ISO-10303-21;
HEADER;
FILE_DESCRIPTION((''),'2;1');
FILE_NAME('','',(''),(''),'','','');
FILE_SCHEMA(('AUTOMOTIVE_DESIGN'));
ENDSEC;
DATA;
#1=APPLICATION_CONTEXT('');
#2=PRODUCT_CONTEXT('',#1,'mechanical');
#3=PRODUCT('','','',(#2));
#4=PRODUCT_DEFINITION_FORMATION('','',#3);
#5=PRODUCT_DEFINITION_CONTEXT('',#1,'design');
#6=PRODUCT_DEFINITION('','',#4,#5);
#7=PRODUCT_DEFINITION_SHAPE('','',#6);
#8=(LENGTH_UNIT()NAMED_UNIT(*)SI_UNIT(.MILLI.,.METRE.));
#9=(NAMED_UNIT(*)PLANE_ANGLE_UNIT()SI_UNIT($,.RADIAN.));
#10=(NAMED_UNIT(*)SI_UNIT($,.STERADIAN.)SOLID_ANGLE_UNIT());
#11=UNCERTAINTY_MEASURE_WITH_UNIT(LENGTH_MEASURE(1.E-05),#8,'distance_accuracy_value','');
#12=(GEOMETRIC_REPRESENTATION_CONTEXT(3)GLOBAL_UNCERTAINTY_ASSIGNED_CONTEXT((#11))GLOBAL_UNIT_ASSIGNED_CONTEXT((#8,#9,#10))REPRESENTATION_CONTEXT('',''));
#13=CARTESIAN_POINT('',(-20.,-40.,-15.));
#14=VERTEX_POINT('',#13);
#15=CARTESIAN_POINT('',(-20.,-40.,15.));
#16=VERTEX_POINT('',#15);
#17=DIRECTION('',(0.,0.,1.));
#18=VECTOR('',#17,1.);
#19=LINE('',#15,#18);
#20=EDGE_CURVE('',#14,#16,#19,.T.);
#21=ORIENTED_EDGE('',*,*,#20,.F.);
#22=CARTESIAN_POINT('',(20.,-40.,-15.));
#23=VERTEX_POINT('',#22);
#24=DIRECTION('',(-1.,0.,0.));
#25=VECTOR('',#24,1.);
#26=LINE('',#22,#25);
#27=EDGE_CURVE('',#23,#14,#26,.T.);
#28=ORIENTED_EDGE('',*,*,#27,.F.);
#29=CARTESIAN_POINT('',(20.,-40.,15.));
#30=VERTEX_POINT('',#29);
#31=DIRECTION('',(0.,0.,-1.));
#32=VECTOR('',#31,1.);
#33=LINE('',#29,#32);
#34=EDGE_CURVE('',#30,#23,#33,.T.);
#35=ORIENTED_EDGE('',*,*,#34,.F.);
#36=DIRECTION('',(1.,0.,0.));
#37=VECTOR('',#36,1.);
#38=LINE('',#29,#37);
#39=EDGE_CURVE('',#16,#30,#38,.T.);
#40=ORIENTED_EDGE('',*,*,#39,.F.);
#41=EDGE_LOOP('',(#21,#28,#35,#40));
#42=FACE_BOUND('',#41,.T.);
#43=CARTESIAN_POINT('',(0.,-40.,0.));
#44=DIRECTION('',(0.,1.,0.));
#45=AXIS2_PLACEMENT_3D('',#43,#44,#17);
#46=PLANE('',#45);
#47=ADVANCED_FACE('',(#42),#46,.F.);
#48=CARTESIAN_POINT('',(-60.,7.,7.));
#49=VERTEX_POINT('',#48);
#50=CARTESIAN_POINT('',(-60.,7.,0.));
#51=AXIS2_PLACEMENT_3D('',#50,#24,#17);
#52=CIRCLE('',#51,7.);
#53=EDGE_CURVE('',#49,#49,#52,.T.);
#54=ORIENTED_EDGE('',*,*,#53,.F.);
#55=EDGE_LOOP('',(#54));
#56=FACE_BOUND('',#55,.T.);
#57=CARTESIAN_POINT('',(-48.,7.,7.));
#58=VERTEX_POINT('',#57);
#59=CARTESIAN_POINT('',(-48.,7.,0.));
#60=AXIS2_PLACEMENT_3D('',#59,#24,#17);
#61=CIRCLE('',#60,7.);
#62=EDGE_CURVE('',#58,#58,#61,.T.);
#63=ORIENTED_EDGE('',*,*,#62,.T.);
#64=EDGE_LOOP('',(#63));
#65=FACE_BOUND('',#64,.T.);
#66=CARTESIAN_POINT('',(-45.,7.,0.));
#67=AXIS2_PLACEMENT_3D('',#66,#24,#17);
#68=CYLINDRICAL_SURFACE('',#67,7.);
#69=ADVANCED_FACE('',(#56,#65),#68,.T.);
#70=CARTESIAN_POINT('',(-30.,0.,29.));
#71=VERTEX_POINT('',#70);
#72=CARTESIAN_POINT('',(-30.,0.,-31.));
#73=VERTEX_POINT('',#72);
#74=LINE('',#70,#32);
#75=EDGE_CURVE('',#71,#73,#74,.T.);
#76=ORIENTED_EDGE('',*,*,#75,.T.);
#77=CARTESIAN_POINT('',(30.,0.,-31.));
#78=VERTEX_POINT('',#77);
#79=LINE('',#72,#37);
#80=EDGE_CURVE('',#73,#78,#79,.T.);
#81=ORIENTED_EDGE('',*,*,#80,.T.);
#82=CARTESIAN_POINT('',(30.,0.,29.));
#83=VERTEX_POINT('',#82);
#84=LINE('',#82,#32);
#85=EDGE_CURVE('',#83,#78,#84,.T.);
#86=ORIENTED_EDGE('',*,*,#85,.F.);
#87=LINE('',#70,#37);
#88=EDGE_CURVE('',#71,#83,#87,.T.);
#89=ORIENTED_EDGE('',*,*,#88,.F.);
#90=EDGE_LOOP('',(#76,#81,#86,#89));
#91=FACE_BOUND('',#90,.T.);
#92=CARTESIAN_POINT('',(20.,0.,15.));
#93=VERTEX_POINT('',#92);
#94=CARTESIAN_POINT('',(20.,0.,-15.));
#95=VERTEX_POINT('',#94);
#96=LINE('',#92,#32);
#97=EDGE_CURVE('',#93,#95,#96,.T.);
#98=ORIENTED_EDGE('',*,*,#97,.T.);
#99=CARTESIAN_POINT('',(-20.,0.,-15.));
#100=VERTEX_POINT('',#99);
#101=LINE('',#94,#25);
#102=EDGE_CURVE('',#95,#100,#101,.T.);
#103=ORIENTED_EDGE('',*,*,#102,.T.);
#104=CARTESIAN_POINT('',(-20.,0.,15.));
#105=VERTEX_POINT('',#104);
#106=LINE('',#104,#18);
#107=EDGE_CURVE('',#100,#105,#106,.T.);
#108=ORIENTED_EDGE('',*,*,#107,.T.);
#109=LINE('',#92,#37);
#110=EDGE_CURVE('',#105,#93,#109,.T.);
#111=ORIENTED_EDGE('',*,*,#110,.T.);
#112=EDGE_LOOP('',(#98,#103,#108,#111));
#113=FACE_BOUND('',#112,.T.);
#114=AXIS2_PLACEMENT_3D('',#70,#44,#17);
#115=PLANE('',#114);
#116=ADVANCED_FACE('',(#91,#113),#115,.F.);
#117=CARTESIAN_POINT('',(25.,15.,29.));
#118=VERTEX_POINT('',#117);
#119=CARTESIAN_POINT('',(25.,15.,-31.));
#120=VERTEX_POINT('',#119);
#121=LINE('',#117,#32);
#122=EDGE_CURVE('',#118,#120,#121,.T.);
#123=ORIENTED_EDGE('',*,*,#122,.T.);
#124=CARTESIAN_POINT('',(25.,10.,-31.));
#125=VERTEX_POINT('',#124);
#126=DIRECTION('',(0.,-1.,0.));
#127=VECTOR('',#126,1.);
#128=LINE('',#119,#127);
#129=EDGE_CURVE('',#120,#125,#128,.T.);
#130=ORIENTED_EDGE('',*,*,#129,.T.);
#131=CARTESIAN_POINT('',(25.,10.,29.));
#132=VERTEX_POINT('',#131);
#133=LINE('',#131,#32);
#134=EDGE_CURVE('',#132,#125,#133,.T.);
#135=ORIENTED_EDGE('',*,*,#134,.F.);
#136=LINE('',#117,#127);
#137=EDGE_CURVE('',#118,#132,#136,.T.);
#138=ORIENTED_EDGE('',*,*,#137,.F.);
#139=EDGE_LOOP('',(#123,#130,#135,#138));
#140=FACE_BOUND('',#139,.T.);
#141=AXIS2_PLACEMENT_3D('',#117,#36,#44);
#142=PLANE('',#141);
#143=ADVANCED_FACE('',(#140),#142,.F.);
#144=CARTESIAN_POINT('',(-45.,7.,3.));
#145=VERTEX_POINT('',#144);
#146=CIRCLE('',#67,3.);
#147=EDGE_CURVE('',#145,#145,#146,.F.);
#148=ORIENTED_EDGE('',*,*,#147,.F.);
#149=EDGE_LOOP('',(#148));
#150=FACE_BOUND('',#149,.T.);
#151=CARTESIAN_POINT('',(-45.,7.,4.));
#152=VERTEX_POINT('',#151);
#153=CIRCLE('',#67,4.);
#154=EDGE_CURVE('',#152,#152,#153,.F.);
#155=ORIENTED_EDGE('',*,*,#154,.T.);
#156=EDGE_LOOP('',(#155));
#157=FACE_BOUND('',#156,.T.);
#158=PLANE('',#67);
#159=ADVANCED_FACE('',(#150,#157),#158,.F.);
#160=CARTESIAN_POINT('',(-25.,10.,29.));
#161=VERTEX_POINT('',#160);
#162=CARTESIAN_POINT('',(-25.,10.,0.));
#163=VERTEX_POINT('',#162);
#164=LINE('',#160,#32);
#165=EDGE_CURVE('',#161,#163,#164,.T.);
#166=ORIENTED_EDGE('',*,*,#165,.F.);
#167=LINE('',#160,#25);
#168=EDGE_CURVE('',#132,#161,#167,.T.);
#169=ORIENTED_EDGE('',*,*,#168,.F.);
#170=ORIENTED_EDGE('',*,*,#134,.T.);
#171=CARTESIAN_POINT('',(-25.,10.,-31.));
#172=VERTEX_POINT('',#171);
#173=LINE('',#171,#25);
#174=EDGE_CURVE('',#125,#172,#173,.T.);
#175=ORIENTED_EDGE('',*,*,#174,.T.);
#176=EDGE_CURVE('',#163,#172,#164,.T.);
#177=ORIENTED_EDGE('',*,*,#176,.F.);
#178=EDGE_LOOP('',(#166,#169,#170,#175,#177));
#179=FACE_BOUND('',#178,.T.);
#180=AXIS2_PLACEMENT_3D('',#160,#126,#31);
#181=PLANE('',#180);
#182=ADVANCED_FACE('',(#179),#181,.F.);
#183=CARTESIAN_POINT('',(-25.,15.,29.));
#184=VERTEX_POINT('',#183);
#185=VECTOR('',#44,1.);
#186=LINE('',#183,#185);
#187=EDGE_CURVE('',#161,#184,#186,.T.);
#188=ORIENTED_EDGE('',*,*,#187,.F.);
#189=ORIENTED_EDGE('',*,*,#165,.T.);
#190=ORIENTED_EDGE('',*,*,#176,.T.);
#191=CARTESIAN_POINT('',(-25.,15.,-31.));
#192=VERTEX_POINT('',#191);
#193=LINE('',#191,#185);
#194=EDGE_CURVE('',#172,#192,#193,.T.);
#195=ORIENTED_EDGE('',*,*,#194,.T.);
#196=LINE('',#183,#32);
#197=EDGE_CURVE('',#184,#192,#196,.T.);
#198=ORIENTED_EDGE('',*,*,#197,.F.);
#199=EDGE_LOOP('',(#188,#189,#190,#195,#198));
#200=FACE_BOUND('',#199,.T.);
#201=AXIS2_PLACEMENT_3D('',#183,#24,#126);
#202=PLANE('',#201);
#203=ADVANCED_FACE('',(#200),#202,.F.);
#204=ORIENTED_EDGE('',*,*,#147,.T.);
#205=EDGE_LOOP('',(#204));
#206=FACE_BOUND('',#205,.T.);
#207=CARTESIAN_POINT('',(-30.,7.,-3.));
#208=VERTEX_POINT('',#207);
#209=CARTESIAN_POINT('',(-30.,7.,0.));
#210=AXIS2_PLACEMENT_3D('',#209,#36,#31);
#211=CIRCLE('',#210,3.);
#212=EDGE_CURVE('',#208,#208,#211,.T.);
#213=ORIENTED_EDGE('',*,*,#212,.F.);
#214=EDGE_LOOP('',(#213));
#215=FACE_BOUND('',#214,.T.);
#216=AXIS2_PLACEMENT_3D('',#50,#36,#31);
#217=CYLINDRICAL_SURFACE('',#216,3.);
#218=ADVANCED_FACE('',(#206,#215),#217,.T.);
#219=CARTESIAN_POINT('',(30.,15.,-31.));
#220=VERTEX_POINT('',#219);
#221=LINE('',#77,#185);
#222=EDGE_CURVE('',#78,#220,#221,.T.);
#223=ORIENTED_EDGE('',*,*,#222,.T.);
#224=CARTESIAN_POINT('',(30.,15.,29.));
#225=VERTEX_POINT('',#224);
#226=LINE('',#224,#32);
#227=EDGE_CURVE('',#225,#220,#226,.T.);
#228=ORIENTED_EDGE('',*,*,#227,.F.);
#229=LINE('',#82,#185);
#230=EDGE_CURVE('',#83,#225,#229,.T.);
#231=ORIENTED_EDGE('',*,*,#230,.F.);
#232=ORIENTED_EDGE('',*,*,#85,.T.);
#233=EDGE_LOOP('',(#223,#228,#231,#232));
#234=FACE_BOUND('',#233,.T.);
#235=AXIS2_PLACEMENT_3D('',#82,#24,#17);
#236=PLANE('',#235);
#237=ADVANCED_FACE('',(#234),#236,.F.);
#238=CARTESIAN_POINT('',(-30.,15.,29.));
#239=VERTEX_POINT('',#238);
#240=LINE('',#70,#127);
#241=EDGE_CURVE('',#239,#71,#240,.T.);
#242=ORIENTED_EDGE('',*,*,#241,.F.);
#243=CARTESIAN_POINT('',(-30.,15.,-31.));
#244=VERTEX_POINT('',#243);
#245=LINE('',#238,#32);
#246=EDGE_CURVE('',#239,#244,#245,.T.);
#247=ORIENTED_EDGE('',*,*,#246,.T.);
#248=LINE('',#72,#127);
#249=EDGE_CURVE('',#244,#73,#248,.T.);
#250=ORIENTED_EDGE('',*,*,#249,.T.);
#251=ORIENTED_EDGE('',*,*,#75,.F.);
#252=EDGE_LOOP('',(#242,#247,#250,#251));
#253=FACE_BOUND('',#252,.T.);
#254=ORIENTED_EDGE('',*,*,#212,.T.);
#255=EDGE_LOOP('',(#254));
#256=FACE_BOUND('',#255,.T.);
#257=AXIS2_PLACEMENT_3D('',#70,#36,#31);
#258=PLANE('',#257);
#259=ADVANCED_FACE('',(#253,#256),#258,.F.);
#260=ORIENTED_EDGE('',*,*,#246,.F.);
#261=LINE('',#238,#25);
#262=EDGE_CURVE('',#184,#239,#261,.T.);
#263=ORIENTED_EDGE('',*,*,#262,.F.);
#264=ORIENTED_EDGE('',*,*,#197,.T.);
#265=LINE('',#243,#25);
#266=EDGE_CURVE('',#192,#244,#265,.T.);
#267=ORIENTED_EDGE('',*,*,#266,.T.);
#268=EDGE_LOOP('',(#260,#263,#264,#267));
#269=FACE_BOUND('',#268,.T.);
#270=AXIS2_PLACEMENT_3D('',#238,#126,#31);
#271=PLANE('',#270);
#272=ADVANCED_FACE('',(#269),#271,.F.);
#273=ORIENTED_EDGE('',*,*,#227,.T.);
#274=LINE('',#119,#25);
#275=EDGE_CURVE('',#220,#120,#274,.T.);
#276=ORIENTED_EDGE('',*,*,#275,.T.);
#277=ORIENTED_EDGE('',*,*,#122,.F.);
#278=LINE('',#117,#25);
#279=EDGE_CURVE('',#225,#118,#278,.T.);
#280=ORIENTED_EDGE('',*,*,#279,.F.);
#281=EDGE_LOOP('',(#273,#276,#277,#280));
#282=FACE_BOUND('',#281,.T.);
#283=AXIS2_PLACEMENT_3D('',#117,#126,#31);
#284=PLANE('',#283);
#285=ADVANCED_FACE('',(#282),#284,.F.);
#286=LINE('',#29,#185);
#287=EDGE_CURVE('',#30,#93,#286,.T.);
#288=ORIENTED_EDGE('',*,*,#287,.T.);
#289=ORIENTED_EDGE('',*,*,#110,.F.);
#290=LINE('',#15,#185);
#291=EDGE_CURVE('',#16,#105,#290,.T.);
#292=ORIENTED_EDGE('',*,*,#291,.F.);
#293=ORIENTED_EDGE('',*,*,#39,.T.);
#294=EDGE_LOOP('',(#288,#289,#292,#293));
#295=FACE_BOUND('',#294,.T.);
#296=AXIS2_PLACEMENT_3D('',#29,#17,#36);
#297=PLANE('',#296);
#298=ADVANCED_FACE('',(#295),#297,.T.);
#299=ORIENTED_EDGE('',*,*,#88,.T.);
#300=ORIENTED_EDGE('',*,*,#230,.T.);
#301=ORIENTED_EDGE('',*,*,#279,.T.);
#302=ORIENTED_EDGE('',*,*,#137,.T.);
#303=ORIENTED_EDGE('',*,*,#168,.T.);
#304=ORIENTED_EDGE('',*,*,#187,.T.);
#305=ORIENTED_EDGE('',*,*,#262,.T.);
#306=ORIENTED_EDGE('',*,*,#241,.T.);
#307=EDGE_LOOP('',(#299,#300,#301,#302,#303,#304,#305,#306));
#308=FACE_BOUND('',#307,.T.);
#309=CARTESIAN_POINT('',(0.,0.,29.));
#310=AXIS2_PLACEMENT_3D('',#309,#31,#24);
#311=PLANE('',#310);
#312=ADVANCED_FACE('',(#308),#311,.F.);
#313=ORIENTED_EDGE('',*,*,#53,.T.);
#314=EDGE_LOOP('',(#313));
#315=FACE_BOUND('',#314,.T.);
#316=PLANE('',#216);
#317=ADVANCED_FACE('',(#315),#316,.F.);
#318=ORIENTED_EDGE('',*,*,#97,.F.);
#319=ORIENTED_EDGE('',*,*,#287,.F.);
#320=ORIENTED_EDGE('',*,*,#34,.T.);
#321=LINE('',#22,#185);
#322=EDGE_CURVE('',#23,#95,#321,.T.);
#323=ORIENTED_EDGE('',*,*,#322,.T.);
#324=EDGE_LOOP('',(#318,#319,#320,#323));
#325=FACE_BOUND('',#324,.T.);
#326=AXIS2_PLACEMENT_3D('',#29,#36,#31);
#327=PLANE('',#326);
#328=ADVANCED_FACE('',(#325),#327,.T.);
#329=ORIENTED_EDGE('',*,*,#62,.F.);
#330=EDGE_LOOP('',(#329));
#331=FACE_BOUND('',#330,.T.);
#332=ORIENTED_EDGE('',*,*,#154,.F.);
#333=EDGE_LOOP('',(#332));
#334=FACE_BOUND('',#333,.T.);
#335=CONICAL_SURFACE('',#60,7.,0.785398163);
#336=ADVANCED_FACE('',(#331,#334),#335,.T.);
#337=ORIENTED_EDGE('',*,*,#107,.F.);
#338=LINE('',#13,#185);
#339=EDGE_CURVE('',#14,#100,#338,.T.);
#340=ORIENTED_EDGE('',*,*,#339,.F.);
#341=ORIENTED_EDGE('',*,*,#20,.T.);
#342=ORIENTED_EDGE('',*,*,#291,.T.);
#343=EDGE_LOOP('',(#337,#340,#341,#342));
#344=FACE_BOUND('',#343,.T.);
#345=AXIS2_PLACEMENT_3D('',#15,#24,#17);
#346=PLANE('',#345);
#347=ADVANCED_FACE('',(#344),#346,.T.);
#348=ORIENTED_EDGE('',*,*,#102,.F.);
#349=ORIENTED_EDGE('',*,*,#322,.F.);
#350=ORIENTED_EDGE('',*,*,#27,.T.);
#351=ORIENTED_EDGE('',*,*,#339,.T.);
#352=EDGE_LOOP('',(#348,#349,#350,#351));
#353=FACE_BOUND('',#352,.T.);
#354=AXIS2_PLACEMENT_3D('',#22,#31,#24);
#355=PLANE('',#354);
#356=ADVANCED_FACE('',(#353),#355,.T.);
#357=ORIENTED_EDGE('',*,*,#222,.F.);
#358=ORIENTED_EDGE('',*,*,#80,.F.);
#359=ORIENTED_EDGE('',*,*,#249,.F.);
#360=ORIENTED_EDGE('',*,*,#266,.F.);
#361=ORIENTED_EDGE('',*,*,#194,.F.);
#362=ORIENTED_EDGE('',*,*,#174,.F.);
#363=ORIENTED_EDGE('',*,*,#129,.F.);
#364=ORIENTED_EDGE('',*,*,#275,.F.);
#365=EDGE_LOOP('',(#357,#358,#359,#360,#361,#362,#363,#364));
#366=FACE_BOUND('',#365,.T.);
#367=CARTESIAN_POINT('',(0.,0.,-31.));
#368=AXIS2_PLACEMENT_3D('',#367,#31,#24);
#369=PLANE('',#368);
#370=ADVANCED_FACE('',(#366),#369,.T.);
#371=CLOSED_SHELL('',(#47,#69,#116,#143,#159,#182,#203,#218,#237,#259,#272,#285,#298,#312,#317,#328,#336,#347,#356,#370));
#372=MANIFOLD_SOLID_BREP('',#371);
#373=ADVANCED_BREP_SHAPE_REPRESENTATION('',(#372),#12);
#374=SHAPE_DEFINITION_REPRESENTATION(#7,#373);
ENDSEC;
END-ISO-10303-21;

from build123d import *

# Parameters (mm, degrees)
SKETCH1_W           = 40
SKETCH1_H           = 30
BOSS_EXTRUDE1_DEPTH = 40
BOSS_EXTRUDE2_DEPTH = 29
BOSS_EXTRUDE3_DEPTH = 31
BOSS_EXTRUDE4_START = -55
SKETCH4_R           = 3
BOSS_EXTRUDE4_DEPTH = 35
SKETCH5_R           = 7
BOSS_EXTRUDE5_DEPTH = 15
CHAMFER1_SIZE       = 3


with BuildPart() as part:
    # Sketch1 → Boss-Extrude1 (new body)
    with BuildSketch(Plane(origin=(0, 0, 0), x_dir=(1, 0, 0), z_dir=(0, 1, 0))):
        Rectangle(SKETCH1_W, SKETCH1_H)
    extrude(amount=-BOSS_EXTRUDE1_DEPTH)

    # Sketch3 → Boss-Extrude2 (add)
    with BuildSketch(Plane.XY):
        Polygon((25, 15), (30, 15), (30, 0), (-30, 0), (-30, 15), (-25, 15), (-25, 10), (25, 10), align=None)
    extrude(amount=BOSS_EXTRUDE2_DEPTH)

    # Sketch3<2> → Boss-Extrude3 (add)
    with BuildSketch(Plane.XY):
        Polygon((25, 15), (30, 15), (30, 0), (-30, 0), (-30, 15), (-25, 15), (-25, 10), (25, 10), align=None)
    extrude(amount=-BOSS_EXTRUDE3_DEPTH)

    # Sketch4 → Boss-Extrude4 (add)
    with BuildSketch(Plane(origin=(30, 0, 0), x_dir=(0, 0, -1), z_dir=(1, 0, 0)).offset(BOSS_EXTRUDE4_START)):
        with Locations((0, 7)):
            Circle(SKETCH4_R)
    extrude(amount=-BOSS_EXTRUDE4_DEPTH)

    # Sketch5 → Boss-Extrude5 (add)
    with BuildSketch(Plane.ZY.offset(60)):
        with Locations((0, 7)):
            Circle(SKETCH5_R)
    extrude(amount=-BOSS_EXTRUDE5_DEPTH)

    # Chamfer1
    chamfer1_edges = [part.edges().sort_by_distance(p)[0] for p in [
        (-45, 7, -7),
    ]]
    chamfer(chamfer1_edges, length=CHAMFER1_SIZE)


solid = part.part
